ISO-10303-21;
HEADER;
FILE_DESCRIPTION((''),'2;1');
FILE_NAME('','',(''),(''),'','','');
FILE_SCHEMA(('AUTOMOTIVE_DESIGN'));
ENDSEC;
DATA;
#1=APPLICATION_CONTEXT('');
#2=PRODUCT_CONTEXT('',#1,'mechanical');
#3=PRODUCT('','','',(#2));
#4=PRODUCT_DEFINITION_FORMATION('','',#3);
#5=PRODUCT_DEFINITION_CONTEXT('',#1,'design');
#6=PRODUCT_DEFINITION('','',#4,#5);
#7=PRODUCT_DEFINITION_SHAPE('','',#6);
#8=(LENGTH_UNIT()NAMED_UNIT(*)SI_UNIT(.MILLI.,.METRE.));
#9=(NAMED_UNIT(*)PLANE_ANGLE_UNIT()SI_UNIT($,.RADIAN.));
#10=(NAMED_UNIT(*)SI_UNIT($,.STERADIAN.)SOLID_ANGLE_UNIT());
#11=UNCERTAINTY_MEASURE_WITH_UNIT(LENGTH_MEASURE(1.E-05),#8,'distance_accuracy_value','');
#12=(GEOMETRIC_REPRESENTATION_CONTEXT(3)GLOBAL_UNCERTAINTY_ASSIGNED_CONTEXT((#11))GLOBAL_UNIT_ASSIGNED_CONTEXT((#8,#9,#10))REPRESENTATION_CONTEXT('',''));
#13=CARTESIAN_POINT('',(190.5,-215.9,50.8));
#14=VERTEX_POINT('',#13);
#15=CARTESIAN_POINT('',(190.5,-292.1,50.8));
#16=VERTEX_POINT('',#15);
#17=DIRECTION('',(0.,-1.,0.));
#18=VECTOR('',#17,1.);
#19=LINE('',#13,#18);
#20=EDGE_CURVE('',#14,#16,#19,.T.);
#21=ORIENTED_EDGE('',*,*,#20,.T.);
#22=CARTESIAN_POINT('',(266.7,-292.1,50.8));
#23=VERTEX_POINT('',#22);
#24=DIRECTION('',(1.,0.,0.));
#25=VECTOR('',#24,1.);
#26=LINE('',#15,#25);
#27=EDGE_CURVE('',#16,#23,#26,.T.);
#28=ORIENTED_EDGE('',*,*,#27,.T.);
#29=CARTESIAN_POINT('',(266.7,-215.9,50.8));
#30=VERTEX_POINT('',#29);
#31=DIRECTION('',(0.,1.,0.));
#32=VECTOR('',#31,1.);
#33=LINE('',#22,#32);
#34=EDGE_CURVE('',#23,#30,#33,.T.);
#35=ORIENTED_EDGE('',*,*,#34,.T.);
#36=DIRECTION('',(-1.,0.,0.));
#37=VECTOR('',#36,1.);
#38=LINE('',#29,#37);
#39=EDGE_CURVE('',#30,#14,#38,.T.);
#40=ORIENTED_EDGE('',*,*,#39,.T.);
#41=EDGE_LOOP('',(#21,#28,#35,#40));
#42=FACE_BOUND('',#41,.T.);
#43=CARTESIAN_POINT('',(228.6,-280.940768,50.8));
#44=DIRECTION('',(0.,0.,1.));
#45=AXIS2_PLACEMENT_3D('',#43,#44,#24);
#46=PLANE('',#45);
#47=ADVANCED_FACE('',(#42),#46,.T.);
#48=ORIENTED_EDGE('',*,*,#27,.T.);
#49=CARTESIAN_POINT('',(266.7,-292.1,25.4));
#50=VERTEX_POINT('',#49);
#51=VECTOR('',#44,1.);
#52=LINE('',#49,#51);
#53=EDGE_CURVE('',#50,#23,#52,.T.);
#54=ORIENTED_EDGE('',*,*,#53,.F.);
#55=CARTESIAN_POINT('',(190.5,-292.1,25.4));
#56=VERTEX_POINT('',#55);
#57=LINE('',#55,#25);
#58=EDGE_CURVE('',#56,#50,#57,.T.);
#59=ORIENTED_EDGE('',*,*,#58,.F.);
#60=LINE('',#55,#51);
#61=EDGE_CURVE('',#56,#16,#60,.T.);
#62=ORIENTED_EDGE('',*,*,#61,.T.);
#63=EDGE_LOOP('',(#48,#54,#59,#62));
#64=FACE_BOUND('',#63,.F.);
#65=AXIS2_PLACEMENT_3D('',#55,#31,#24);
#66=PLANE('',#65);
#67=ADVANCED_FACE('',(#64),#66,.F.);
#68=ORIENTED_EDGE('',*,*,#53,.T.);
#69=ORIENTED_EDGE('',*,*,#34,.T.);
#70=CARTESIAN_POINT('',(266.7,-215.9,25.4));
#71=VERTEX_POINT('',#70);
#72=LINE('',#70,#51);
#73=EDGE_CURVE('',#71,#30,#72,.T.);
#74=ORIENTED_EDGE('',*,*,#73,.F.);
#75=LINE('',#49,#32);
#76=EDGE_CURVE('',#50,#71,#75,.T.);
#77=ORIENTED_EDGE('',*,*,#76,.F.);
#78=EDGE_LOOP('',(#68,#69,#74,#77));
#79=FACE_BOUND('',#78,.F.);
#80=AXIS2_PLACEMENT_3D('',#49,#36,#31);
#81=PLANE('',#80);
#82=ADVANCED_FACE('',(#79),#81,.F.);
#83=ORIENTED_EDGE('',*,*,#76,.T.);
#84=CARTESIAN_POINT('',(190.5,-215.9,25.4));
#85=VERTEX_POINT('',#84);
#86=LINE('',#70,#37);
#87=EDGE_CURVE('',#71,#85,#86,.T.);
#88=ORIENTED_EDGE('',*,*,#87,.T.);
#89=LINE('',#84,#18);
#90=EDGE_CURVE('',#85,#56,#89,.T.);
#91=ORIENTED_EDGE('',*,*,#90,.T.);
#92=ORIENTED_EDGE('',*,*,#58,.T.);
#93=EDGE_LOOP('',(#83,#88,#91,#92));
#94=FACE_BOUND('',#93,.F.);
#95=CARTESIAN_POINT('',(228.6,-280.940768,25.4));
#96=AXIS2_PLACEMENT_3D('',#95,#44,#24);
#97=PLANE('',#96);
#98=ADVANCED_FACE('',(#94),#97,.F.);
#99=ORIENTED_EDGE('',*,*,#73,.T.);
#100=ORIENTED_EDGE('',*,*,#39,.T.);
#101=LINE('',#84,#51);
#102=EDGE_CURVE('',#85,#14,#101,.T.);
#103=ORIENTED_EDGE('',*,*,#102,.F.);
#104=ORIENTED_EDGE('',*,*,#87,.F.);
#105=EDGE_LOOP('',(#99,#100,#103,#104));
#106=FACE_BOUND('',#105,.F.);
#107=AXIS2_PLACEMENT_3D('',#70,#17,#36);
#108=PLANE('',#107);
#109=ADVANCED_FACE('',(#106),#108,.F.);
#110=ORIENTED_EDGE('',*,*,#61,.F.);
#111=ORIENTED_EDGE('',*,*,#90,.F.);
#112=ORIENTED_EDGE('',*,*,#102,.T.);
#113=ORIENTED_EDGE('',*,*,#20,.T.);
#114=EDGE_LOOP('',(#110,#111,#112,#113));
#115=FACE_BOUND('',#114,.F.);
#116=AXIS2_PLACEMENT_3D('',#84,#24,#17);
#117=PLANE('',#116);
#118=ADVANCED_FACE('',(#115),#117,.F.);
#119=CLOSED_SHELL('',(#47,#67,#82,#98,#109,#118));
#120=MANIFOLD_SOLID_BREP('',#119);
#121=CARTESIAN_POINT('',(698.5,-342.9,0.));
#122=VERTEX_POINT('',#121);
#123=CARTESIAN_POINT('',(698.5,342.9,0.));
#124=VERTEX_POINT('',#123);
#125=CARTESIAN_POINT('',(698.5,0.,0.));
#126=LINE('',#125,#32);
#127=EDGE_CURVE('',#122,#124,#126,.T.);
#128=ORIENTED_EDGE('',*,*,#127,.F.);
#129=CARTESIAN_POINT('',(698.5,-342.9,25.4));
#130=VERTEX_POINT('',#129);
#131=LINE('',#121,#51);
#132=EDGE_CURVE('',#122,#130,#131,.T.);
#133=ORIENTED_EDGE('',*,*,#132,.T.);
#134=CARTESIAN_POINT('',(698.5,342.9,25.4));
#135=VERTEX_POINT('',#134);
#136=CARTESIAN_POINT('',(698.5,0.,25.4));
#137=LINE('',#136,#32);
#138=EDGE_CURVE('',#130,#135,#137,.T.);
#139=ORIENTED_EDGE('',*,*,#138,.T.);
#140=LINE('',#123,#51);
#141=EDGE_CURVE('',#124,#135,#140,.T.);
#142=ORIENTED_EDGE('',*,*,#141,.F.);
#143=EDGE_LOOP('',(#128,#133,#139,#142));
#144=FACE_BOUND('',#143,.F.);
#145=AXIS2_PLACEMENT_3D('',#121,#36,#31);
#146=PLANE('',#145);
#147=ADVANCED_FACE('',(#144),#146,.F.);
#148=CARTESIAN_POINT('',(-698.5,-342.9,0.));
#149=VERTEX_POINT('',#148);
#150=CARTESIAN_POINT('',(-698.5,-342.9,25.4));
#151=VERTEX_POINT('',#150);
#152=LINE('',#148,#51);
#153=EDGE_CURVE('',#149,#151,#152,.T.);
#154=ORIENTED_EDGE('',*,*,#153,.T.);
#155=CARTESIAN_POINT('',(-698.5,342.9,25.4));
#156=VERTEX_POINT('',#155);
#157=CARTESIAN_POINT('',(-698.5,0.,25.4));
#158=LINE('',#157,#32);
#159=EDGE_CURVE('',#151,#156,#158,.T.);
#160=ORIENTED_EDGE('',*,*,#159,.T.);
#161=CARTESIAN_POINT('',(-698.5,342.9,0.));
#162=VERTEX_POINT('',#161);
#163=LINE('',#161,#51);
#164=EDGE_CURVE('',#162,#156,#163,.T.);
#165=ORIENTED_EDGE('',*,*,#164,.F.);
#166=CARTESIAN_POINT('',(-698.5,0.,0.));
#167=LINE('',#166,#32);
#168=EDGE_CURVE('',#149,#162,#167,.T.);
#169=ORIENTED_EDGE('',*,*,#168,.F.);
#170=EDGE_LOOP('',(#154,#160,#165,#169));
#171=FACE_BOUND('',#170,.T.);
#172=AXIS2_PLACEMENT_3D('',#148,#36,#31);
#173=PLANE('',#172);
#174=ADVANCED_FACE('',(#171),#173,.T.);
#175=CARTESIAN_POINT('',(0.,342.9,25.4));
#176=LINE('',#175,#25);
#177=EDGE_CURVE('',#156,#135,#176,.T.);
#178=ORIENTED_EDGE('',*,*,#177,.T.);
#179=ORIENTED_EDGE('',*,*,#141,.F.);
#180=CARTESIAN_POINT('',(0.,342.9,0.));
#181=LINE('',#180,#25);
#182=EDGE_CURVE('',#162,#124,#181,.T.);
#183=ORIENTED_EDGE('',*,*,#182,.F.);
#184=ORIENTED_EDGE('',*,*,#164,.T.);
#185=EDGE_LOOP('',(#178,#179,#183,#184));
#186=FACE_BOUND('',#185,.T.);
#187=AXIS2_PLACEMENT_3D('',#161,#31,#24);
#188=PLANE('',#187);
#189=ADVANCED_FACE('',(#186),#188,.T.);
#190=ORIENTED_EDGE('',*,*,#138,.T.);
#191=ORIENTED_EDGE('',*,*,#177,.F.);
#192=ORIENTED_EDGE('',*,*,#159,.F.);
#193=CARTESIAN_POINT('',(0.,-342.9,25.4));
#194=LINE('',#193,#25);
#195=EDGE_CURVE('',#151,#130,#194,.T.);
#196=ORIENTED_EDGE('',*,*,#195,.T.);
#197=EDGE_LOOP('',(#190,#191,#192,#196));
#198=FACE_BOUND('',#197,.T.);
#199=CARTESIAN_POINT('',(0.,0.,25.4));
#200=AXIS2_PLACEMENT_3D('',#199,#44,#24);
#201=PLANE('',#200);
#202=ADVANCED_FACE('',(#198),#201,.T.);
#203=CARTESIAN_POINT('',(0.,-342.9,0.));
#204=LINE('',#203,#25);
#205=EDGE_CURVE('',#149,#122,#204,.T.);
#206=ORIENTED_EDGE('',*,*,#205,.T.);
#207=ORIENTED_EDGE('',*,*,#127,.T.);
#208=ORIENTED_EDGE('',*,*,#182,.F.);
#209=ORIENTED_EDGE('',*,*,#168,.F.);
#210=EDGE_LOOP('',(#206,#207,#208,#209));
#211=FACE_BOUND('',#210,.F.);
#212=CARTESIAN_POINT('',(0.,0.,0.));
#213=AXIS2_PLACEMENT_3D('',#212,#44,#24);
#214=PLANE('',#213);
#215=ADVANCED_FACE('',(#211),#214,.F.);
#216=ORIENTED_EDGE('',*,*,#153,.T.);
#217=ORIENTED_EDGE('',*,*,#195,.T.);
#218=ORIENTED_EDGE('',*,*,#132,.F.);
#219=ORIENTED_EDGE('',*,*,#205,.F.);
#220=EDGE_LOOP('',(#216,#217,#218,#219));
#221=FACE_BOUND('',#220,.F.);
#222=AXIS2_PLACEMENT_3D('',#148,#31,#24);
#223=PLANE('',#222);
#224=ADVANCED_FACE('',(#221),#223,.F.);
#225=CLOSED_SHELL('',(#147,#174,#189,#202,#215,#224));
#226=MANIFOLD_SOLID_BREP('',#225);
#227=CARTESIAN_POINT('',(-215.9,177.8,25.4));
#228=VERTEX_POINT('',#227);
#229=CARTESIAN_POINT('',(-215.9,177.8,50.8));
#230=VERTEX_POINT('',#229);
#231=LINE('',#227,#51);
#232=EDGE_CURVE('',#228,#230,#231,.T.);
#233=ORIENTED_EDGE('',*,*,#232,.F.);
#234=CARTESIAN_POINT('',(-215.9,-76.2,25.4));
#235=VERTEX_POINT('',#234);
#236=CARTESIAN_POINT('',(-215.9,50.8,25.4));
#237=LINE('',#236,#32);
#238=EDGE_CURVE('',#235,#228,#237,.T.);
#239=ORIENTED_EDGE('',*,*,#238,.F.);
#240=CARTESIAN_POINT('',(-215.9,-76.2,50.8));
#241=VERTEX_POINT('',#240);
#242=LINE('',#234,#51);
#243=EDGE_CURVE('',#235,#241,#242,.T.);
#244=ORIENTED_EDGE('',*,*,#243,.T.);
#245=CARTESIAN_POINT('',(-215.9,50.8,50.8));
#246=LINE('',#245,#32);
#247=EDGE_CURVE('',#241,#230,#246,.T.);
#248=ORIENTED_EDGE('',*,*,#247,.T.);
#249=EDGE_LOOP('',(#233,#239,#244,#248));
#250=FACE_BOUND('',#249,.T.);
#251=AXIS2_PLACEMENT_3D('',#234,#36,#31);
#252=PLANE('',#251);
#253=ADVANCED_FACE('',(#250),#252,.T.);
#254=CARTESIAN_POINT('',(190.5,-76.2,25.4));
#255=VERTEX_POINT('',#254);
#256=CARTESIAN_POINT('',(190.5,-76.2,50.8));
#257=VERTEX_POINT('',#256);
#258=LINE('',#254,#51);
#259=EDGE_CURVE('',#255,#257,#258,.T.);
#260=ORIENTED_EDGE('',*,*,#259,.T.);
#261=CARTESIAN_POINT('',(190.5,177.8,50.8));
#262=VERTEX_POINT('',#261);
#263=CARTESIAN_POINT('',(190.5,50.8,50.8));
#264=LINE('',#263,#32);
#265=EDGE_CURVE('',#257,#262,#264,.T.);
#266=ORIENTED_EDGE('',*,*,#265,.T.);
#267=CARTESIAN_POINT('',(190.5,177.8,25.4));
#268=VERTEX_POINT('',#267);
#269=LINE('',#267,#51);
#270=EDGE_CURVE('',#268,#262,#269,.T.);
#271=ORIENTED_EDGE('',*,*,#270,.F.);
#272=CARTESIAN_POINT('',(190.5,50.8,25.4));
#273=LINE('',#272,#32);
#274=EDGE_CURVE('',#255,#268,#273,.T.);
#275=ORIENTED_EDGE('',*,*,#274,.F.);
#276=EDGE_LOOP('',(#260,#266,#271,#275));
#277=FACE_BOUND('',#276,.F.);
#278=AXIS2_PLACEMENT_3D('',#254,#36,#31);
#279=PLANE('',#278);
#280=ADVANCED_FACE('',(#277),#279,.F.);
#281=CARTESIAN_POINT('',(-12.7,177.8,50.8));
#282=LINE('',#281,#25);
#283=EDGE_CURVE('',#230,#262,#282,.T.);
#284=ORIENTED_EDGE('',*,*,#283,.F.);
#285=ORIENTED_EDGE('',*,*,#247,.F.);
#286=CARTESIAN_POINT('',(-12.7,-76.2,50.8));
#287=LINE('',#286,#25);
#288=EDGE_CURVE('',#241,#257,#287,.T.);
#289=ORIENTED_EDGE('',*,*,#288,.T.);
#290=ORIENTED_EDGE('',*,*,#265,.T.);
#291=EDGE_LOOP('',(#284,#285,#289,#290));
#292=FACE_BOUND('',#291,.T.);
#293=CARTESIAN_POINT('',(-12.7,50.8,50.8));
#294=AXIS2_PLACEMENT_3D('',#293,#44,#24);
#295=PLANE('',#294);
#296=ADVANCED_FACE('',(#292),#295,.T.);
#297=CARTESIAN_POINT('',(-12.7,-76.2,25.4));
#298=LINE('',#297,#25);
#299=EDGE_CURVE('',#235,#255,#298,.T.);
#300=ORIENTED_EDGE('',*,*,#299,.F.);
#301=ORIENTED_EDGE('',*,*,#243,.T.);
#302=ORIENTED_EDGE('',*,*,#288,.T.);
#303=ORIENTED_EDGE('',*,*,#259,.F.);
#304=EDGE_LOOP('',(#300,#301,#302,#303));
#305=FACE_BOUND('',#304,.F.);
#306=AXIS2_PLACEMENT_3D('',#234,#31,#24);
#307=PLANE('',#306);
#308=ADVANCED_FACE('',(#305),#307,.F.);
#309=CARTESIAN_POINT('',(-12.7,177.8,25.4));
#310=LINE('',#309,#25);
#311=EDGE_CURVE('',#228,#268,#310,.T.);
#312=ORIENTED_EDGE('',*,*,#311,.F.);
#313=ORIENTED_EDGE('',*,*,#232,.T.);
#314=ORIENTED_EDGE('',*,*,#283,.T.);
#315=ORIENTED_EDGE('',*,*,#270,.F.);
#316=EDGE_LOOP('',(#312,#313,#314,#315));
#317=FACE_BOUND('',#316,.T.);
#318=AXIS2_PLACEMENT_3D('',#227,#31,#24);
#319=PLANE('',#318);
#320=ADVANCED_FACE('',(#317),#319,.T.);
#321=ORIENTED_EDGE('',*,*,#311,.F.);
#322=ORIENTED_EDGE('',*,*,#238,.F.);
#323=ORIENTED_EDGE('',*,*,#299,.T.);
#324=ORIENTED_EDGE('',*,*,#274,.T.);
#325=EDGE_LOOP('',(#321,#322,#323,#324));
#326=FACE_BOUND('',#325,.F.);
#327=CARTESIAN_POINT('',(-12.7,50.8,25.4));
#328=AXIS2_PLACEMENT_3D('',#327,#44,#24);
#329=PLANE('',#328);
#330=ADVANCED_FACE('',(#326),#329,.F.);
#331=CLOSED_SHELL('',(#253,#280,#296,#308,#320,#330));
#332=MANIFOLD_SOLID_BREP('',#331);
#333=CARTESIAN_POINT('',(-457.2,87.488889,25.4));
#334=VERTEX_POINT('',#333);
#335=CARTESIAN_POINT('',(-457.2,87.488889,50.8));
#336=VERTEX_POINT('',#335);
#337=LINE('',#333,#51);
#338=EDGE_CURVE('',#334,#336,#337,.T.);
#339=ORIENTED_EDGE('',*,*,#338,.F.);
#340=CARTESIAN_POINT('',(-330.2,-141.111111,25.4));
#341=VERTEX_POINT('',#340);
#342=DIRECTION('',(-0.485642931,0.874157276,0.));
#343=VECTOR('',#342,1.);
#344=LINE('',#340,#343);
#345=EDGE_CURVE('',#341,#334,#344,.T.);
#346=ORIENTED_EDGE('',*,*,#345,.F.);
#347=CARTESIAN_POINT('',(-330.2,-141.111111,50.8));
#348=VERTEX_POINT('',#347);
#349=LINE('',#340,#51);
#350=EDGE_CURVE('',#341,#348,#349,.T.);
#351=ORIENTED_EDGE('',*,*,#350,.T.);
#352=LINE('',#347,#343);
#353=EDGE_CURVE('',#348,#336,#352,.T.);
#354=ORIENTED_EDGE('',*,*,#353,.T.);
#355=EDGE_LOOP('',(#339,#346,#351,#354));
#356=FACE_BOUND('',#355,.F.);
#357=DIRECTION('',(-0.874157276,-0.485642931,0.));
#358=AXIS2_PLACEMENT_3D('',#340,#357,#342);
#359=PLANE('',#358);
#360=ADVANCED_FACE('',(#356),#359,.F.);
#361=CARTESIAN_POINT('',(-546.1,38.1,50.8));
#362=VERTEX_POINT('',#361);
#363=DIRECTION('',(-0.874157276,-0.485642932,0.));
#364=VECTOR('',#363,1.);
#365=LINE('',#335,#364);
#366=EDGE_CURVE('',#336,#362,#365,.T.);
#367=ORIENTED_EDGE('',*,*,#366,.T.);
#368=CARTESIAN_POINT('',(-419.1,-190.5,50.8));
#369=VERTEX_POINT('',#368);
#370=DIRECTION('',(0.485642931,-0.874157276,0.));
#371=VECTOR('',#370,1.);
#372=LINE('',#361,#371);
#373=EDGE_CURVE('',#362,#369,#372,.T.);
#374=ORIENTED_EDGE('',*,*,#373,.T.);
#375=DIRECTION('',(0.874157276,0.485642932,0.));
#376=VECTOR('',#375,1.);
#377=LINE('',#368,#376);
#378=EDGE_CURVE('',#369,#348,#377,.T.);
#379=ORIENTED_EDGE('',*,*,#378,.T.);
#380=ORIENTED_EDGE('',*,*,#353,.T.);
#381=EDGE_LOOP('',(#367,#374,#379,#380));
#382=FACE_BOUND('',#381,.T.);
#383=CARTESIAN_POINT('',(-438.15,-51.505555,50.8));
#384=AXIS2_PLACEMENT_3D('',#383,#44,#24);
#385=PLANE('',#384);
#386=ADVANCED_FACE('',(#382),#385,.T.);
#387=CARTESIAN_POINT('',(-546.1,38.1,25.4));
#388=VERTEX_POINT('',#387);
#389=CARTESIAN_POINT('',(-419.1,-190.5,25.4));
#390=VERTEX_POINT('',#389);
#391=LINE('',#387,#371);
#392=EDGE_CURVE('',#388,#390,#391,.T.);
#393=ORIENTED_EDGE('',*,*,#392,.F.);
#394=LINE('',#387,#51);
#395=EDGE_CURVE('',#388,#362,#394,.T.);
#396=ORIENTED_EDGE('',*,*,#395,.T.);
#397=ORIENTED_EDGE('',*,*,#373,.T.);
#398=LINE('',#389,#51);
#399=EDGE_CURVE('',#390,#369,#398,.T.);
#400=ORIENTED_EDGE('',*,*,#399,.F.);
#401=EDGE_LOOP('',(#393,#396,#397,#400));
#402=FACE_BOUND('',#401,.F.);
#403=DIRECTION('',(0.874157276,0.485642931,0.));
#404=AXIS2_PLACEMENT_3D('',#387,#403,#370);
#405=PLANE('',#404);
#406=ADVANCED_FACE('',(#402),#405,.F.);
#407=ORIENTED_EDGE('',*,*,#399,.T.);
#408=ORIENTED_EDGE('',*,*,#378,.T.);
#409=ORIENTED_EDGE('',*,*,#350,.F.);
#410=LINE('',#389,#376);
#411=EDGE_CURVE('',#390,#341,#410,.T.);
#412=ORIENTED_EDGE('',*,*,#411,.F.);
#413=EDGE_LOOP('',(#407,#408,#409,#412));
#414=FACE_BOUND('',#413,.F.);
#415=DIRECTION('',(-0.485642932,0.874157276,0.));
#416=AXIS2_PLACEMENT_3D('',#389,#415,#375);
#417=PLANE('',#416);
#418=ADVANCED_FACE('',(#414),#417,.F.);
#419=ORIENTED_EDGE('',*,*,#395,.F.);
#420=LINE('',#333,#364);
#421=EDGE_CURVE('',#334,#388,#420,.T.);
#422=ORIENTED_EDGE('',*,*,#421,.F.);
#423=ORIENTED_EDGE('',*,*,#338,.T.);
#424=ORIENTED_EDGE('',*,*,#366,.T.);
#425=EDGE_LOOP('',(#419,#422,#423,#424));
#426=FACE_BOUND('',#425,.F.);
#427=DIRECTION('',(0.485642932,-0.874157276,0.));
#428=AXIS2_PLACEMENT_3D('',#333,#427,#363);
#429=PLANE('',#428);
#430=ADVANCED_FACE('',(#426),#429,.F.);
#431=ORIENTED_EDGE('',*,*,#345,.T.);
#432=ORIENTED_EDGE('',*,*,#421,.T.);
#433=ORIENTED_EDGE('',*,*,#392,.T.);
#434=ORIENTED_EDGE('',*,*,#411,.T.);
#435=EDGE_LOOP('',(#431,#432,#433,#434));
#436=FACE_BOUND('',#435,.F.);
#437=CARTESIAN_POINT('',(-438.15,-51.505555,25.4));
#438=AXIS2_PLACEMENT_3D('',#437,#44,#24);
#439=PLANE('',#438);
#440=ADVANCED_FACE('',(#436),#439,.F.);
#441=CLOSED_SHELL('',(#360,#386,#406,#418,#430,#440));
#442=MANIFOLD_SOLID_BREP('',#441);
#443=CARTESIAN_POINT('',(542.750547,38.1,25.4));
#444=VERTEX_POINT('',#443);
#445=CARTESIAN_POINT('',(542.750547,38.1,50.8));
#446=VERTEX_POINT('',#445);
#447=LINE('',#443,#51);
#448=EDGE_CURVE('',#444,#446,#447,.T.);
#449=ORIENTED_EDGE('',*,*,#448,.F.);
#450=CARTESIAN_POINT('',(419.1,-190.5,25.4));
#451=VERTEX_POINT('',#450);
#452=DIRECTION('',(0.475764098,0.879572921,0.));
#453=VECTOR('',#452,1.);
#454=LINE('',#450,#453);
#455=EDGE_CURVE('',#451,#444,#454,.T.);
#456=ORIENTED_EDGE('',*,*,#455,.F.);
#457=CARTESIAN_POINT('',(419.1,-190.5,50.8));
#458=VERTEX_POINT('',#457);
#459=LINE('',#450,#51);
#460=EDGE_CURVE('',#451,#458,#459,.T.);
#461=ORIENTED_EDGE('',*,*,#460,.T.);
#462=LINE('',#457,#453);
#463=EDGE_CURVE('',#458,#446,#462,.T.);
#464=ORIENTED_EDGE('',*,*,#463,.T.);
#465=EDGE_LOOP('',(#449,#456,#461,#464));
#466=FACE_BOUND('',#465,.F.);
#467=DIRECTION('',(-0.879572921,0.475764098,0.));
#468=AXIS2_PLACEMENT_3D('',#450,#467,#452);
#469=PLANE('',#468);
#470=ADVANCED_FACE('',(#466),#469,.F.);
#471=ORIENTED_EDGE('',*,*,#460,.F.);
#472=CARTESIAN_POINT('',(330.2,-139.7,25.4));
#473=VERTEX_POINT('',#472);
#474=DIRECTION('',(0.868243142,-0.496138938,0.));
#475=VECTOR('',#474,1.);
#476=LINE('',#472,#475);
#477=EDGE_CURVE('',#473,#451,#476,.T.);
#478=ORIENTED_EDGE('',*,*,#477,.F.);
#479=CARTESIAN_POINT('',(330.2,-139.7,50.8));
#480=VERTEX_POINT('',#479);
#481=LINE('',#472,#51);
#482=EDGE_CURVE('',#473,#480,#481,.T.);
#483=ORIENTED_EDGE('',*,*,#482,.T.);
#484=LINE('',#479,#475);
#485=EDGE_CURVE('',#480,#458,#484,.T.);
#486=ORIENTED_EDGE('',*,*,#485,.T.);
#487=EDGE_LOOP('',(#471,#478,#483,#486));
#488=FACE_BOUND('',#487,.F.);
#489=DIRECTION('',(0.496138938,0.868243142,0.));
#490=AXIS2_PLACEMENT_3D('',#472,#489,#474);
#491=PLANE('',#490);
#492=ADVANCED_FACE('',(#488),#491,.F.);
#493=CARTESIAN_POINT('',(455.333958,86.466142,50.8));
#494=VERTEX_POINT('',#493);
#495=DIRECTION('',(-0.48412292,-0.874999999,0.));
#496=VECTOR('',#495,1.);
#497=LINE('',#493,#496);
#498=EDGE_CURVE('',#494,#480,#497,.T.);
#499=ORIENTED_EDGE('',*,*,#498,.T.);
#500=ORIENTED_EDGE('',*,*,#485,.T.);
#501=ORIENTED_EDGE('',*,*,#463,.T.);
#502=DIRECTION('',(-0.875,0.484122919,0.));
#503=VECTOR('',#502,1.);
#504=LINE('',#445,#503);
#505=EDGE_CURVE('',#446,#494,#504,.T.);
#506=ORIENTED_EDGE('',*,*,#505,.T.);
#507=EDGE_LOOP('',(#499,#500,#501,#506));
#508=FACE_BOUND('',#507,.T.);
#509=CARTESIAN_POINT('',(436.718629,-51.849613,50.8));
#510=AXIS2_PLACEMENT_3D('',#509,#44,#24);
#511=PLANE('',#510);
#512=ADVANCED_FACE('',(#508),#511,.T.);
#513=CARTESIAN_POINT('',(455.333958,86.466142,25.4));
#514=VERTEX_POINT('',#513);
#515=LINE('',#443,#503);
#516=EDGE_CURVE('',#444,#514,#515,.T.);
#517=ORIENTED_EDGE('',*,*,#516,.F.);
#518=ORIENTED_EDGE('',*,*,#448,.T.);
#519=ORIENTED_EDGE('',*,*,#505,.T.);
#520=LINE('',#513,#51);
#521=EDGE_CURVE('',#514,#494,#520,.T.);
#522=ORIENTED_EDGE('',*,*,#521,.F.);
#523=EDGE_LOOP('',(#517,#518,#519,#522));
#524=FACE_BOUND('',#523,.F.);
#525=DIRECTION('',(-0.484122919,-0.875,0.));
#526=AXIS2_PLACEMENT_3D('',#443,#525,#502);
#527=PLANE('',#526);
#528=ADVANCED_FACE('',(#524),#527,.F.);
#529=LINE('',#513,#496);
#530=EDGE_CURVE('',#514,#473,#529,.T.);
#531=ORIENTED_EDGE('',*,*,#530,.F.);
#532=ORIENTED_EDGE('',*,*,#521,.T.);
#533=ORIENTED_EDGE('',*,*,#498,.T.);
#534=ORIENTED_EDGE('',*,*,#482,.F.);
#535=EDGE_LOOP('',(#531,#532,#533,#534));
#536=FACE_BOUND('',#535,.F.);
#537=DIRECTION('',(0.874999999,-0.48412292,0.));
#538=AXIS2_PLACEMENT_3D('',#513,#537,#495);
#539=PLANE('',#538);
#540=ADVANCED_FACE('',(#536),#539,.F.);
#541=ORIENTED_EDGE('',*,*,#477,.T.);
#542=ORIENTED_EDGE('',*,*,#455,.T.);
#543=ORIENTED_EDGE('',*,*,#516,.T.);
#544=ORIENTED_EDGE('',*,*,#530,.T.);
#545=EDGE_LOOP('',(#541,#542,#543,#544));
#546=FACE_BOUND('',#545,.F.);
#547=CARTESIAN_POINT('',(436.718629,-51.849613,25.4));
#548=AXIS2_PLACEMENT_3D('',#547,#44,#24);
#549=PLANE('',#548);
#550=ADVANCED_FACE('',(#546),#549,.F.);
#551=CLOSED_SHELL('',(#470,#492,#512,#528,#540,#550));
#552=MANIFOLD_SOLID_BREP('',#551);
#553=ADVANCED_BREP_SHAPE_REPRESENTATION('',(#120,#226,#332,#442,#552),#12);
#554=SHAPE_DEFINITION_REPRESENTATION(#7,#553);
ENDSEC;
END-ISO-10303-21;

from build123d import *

# Parameters (mm, degrees)
F0_W     = 1397
F0_H     = 685.8
F1_DEPTH = 25.4
F2_W     = 406.4
F2_H     = 254
F3_DEPTH = 25.4


with BuildPart() as f1:
    # F0 (on Top) → F1 (new body)
    with BuildSketch(Plane.XY):
        Rectangle(F0_W, F0_H)
    extrude(amount=F1_DEPTH)


with BuildPart() as f3:
    # F2 (on face) → F3 (new body)
    with BuildSketch(Plane.XY.offset(25.4)):
        Polygon((-419.1, -190.5), (-330.2, -141.111111), (-457.2, 87.488889), (-546.1, 38.1), align=None)
        Polygon((455.333958, 86.466142), (330.2, -139.7), (419.1, -190.5), (542.750547, 38.1), align=None)
        with Locations((-12.7, 50.8)):
            Rectangle(F2_W, F2_H)
        Polygon((228.6, -254), (190.5, -292.1), (266.7, -292.1), align=None)
        Polygon((190.5, -215.9), (190.5, -292.1), (228.6, -254), align=None)
        Polygon((228.6, -254), (266.7, -292.1), (266.7, -215.9), align=None)
        Polygon((266.7, -215.9), (190.5, -215.9), (228.6, -254), align=None)
    extrude(amount=F3_DEPTH)


solid = Compound([f1.part, f3.part])
